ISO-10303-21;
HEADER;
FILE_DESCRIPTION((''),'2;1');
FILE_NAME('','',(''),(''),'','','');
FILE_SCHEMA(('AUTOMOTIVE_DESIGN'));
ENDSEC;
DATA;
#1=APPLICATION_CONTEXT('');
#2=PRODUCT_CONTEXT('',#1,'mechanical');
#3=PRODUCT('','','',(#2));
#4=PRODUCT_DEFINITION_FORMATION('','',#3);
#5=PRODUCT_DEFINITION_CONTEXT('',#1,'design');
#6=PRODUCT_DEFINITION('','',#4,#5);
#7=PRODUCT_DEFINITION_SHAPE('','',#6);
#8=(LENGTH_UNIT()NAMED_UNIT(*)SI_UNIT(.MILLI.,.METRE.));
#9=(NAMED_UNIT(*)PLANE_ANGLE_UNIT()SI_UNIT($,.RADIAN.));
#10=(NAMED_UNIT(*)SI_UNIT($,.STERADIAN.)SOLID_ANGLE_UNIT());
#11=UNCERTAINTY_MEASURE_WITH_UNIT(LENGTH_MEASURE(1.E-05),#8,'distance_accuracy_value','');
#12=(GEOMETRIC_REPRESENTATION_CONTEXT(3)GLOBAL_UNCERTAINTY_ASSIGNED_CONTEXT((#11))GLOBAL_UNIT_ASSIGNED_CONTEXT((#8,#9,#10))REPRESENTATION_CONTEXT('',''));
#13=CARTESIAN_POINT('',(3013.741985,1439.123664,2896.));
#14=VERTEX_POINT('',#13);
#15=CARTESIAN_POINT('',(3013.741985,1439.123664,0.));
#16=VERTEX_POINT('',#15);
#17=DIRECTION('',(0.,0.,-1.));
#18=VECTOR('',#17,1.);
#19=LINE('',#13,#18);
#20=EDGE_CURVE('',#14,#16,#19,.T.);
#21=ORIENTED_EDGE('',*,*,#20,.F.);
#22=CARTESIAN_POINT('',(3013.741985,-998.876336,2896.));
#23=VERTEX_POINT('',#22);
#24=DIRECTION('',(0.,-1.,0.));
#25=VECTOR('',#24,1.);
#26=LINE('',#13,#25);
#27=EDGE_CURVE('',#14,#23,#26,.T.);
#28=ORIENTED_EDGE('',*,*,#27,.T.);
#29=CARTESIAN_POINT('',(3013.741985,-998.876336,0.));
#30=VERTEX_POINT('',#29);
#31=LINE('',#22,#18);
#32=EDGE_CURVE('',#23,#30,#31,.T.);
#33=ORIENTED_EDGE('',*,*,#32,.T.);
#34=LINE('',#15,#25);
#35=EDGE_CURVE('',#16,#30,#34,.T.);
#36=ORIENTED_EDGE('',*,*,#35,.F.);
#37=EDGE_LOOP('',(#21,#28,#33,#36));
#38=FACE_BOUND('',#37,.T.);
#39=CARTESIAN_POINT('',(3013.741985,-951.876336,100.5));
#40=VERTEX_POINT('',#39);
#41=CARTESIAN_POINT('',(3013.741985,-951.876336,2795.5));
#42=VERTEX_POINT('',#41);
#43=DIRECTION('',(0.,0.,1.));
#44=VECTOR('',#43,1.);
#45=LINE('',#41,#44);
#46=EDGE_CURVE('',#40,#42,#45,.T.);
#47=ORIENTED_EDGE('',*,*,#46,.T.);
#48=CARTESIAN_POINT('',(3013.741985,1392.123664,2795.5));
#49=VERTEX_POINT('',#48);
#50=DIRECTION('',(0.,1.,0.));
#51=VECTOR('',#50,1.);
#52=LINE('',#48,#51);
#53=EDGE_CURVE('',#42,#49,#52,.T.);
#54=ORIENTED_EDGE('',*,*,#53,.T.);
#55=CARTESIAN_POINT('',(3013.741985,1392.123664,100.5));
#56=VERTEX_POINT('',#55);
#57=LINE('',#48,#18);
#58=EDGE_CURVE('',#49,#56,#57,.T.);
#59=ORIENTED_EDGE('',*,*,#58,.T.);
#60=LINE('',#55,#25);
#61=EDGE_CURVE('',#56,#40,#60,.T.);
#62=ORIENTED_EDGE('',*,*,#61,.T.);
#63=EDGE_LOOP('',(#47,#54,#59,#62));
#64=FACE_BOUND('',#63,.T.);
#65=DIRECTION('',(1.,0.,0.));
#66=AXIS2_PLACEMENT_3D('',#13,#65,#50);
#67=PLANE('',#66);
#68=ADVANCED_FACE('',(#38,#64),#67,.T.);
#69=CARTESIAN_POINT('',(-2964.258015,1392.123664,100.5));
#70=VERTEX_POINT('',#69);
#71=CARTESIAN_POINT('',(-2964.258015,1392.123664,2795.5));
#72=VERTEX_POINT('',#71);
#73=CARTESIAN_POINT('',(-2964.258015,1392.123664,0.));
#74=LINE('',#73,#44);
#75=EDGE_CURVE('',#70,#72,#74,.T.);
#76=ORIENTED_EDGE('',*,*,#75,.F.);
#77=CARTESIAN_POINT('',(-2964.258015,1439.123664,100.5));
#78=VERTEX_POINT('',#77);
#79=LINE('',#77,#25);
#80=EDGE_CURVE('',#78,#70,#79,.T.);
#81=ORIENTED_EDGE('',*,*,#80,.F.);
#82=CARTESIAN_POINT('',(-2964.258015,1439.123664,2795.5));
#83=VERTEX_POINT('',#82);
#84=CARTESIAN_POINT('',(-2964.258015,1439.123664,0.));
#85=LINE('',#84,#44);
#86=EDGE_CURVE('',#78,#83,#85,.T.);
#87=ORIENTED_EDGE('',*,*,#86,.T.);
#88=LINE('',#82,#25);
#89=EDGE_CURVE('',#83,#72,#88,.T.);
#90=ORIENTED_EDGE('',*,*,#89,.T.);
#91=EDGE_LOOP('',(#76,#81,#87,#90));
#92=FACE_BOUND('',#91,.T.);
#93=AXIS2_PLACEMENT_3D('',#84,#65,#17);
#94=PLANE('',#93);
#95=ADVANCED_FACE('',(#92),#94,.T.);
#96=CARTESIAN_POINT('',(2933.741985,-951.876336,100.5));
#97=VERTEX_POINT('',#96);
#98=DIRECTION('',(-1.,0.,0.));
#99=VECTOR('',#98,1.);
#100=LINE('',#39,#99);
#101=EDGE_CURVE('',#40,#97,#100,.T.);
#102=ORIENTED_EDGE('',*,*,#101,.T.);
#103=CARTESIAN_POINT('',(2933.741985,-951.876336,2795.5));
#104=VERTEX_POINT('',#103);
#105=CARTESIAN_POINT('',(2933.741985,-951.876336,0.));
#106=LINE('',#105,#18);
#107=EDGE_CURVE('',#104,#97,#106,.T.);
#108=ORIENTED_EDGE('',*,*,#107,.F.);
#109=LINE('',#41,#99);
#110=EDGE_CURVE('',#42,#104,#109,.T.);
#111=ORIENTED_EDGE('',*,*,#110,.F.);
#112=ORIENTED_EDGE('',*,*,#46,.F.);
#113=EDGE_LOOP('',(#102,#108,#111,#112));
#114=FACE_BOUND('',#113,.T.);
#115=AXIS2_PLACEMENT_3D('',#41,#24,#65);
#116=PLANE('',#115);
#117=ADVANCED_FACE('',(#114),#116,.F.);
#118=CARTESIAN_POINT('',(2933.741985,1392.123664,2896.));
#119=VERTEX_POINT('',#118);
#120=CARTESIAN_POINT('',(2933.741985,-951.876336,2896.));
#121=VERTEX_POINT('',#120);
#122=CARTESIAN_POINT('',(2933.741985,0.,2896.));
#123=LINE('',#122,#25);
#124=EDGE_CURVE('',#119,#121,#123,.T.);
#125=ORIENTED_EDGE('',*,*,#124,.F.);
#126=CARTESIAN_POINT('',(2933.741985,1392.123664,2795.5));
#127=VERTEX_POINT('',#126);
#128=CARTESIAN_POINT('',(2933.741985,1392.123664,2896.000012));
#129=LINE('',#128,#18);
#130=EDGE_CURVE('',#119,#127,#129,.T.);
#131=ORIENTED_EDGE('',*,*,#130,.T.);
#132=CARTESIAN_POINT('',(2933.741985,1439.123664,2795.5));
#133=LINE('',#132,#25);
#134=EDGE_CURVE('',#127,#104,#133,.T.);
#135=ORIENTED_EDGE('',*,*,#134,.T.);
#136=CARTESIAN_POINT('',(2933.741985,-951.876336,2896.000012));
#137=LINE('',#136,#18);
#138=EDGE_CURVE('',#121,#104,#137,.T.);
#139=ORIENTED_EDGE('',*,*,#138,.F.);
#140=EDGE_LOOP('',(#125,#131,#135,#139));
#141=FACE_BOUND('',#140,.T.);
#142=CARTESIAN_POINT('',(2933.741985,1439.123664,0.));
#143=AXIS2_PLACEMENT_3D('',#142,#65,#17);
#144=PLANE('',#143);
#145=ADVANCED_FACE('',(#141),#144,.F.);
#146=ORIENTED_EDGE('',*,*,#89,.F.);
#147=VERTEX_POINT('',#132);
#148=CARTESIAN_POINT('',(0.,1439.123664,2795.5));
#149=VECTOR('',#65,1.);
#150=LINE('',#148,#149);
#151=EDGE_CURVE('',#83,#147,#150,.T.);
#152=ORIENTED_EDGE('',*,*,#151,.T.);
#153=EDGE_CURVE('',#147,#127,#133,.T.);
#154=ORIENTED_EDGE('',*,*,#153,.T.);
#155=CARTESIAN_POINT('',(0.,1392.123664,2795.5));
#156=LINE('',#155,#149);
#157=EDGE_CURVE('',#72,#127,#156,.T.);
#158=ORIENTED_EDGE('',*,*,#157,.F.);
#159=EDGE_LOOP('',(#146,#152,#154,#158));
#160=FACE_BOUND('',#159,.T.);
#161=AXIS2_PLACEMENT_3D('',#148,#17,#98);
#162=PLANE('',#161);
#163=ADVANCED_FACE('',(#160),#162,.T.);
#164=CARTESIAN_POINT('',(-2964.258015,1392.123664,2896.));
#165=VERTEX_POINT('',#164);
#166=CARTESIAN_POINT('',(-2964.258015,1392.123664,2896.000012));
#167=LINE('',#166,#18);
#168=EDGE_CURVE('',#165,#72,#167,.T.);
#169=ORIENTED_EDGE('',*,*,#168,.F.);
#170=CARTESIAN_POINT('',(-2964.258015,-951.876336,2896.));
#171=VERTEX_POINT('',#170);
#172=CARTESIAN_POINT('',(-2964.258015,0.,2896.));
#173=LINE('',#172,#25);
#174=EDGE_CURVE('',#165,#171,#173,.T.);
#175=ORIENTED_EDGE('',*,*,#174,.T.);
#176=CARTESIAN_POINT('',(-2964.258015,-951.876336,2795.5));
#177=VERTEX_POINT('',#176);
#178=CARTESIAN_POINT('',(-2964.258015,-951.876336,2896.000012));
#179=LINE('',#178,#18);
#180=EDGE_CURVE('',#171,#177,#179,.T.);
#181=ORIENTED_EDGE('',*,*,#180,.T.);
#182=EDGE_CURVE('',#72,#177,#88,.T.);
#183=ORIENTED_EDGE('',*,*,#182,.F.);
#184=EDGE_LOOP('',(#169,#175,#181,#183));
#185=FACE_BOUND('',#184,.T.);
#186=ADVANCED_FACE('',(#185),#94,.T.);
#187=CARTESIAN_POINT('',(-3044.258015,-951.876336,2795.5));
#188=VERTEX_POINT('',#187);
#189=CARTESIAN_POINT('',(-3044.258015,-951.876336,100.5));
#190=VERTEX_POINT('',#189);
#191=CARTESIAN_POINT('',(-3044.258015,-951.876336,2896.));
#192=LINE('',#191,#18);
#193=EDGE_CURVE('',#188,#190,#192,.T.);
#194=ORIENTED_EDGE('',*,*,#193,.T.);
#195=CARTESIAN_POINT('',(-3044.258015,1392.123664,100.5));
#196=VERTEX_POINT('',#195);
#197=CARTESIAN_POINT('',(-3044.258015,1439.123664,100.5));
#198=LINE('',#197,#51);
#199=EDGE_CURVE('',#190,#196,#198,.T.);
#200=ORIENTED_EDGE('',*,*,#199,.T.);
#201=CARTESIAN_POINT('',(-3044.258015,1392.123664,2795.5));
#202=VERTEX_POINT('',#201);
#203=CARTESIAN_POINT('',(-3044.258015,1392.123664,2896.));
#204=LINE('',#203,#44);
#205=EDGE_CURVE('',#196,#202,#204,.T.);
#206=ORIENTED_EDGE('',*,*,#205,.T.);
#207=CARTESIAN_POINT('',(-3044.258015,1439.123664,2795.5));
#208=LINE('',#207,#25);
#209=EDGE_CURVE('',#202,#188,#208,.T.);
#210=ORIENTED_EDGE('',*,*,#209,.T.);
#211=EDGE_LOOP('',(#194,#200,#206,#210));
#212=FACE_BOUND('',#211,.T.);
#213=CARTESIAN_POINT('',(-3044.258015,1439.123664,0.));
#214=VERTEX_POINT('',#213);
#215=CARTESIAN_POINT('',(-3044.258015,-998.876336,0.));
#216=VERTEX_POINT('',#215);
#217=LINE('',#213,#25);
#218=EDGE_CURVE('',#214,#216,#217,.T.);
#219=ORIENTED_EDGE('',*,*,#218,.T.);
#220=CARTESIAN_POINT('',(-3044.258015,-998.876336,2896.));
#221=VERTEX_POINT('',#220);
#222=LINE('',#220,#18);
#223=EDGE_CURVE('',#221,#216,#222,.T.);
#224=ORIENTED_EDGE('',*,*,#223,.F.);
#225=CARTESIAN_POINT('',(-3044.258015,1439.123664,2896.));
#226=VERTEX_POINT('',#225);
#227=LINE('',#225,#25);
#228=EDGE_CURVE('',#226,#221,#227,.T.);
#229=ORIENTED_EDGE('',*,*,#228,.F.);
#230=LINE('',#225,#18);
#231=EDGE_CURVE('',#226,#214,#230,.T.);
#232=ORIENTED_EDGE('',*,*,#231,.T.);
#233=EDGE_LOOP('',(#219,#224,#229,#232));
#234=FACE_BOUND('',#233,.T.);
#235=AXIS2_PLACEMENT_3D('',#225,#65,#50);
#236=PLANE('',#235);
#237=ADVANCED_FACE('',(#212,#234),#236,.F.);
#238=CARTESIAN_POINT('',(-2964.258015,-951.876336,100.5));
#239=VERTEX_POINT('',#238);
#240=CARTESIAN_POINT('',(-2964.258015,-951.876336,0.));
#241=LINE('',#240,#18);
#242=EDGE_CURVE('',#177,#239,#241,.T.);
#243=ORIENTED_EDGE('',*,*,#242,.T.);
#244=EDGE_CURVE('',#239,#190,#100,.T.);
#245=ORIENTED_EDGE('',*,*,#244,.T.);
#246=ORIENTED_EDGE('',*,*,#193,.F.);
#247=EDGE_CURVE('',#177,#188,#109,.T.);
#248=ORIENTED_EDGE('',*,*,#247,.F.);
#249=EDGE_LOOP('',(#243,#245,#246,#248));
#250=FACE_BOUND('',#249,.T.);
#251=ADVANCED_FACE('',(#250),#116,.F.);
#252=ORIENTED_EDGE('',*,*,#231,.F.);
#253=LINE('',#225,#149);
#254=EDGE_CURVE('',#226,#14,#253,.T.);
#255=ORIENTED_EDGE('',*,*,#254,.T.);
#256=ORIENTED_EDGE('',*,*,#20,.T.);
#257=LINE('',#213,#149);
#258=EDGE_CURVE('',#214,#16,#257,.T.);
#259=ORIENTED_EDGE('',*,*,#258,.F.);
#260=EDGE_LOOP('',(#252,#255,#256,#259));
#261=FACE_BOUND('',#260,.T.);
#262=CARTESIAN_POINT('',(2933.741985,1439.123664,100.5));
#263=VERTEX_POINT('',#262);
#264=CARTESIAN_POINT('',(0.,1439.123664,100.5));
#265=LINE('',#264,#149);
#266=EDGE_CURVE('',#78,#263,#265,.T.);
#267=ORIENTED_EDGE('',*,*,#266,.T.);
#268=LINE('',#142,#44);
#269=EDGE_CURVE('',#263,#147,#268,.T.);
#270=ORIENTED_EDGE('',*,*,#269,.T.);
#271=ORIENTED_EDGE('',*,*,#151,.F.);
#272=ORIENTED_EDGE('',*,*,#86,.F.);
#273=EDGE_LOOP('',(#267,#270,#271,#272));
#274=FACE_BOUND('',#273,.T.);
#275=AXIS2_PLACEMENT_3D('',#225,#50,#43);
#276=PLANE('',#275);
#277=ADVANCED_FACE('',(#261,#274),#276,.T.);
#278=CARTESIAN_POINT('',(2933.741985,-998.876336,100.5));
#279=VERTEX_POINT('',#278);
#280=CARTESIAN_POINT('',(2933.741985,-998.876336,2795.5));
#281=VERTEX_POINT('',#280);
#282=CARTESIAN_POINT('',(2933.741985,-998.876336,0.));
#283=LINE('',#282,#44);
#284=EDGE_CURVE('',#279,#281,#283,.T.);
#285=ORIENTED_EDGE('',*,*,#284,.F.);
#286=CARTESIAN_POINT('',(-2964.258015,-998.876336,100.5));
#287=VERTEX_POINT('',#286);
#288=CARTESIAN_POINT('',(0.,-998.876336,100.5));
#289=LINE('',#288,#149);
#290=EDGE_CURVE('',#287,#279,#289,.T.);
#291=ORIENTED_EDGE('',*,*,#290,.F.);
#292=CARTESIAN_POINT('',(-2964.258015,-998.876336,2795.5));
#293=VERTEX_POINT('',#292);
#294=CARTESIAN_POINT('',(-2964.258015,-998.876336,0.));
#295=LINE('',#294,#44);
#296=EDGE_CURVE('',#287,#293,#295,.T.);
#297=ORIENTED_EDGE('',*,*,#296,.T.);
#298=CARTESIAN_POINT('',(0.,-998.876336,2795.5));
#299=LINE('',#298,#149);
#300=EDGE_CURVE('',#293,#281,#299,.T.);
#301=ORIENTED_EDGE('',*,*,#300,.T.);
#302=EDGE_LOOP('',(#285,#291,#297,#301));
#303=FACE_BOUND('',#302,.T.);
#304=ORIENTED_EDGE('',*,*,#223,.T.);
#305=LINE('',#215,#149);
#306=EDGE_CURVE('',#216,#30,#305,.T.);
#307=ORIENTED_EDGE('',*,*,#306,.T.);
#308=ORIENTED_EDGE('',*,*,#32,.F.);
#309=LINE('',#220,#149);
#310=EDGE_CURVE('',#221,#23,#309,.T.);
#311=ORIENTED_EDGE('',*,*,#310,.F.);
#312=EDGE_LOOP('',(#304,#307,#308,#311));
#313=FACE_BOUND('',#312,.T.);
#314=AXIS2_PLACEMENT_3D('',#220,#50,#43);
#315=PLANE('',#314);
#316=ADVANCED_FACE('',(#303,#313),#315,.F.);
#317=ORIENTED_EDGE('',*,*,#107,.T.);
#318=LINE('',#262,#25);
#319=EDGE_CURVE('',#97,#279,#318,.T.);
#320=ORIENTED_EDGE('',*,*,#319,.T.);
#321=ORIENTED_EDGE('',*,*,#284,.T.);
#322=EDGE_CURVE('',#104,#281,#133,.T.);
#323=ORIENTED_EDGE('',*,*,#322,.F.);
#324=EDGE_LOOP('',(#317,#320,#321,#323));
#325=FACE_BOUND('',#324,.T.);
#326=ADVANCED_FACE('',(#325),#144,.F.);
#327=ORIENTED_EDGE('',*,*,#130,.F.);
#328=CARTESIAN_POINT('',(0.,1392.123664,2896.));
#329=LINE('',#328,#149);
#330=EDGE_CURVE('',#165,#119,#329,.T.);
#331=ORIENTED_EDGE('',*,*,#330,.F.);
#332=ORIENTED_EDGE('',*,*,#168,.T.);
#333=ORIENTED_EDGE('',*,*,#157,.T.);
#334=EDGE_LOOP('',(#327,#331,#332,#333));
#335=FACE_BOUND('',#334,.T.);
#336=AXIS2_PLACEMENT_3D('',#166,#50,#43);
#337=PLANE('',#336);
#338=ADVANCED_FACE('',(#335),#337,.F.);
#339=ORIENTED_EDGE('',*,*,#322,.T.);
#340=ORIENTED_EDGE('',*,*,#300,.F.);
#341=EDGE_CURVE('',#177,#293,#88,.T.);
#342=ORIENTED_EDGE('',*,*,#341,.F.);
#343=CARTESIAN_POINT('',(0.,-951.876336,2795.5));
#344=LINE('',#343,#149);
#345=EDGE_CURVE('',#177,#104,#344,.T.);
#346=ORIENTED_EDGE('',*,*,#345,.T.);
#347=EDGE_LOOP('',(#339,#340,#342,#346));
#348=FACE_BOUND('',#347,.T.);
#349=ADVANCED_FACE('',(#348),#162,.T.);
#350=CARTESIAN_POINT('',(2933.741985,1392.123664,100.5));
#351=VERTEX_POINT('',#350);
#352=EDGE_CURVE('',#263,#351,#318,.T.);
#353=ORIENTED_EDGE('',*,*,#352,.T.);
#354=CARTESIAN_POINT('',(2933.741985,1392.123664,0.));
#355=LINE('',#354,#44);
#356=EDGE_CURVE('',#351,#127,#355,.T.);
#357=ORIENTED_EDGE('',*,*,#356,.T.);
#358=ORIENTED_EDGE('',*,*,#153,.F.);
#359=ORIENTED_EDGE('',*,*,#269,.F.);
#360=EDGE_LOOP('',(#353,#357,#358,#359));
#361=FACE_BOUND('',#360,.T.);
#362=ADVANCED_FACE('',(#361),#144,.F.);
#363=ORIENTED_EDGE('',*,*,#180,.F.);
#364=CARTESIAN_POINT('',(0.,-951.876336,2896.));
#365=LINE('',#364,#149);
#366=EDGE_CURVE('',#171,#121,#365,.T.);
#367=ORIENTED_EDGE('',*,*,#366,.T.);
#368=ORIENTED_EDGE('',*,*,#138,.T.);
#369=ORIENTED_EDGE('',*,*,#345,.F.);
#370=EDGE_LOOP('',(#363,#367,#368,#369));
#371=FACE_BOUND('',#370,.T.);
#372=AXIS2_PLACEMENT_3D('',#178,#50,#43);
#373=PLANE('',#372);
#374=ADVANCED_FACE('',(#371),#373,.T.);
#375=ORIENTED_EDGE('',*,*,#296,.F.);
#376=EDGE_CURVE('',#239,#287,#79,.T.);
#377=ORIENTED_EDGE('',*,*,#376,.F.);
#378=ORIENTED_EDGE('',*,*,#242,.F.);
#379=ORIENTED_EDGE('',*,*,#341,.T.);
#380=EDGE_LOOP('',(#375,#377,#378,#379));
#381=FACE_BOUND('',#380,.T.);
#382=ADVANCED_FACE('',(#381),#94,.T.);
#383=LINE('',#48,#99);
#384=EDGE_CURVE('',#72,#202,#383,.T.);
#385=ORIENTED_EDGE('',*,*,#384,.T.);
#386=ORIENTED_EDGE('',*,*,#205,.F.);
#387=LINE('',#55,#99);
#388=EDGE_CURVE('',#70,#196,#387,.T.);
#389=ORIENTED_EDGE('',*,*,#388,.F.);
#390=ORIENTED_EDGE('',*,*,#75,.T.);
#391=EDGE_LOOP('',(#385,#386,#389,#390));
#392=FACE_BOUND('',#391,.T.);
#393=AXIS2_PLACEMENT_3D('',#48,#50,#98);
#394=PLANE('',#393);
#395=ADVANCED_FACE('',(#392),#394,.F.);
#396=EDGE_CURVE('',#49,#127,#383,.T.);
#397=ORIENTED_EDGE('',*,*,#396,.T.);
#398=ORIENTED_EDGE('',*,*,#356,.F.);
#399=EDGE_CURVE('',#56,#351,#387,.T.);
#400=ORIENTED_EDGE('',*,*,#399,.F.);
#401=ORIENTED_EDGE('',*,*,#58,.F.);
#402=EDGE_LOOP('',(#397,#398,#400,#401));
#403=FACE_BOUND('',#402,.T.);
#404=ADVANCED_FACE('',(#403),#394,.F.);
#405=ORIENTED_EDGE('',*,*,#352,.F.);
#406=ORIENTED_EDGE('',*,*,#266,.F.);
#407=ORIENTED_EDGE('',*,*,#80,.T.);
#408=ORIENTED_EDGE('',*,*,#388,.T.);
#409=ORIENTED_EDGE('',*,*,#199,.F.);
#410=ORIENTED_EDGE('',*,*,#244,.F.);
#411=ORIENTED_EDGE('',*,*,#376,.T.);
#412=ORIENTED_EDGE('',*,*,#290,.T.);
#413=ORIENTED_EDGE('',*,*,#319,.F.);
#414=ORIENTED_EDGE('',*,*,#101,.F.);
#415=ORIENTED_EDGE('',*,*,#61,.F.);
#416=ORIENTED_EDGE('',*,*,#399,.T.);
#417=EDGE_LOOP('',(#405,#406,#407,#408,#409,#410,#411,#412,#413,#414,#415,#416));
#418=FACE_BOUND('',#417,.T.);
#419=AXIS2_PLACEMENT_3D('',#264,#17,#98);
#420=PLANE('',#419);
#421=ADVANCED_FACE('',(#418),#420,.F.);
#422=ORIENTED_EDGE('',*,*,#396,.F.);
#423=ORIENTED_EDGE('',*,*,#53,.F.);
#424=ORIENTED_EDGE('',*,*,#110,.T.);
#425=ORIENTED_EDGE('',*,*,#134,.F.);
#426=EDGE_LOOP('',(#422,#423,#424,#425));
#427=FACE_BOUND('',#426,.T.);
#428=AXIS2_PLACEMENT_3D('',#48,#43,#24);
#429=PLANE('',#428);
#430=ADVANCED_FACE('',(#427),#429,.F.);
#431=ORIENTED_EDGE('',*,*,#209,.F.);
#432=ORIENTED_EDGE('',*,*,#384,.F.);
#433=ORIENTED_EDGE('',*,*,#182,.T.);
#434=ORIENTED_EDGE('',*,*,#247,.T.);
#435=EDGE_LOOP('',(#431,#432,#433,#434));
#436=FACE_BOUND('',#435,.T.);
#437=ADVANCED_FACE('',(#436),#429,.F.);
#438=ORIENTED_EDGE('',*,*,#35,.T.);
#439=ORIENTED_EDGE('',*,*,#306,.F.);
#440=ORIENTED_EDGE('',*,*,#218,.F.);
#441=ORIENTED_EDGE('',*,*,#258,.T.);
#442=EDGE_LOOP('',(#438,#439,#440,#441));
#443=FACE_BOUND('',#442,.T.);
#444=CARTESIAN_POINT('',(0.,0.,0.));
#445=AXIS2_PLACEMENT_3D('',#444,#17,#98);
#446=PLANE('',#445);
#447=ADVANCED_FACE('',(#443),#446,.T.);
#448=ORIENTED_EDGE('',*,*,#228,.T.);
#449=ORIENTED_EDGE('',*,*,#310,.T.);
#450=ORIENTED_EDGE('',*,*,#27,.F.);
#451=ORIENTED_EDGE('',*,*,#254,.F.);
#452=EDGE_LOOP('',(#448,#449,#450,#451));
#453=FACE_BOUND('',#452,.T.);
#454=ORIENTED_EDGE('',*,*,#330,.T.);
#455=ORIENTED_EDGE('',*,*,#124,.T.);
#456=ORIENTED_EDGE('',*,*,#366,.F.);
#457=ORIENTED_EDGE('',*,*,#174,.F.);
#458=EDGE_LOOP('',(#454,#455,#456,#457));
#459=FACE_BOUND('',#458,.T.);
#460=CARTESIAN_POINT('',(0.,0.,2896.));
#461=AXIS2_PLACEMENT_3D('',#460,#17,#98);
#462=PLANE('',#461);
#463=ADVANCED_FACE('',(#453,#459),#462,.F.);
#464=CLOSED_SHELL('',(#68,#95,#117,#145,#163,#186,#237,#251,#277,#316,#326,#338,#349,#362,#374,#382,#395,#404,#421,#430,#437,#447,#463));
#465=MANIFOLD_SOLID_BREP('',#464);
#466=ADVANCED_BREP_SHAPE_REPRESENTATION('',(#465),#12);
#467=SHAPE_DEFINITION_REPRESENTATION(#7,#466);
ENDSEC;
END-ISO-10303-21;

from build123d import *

# Parameters (mm, degrees)
SKETCH1_W               = 6058
SKETCH1_H               = 2438
BOSS_EXTRUDE1_DEPTH     = 2896
SKETCH4_W               = 5898
SKETCH4_H               = 2695
CUT_EXTRUDE1_DEPTH      = 4858.794444346
CUT_EXTRUDE2_DEPTH      = 4442.328605739
CUT_EXTRUDE2_DEPTH_BACK = 180
SKETCH8_W               = 5898
SKETCH8_H               = 2344
CUT_EXTRUDE3_DEPTH      = 6868.114162487
CUT_EXTRUDE3_DEPTH_BACK = 6868.114162487
SKETCH9_W               = 2695
SKETCH9_H               = 2344


with BuildPart() as part:
    # Sketch1 → Boss-Extrude1 (new body)
    with BuildSketch(Plane.XY):
        with Locations((-15.258015267, 220.123664122)):
            Rectangle(SKETCH1_W, SKETCH1_H)
    extrude(amount=BOSS_EXTRUDE1_DEPTH)

    # Sketch4 → Cut-Extrude1 (cut, through all)
    with BuildSketch(Plane.XZ.offset(998.876335878)):
        with Locations((-15.258015267, 1448)):
            Rectangle(SKETCH4_W, SKETCH4_H)
    extrude(amount=-CUT_EXTRUDE1_DEPTH, mode=Mode.SUBTRACT)

    # Sketch8 → Cut-Extrude2 (cut, two sides: drawn at the far end of the back side and taken through both)
    with BuildSketch(Plane.XY.offset(2896).offset(-CUT_EXTRUDE2_DEPTH_BACK)):
        with Locations((-15.258015267, 220.123664122)):
            Rectangle(SKETCH8_W, SKETCH8_H)
    extrude(amount=CUT_EXTRUDE2_DEPTH + CUT_EXTRUDE2_DEPTH_BACK, mode=Mode.SUBTRACT)

    # Sketch9 → Cut-Extrude3 (cut, two sides: drawn at the far end of the back side and taken through both)
    with BuildSketch(Plane.ZY.offset(3044.258015267).offset(-CUT_EXTRUDE3_DEPTH_BACK)):
        with Locations((1448, 220.123664122)):
            Rectangle(SKETCH9_W, SKETCH9_H)
    extrude(amount=CUT_EXTRUDE3_DEPTH + CUT_EXTRUDE3_DEPTH_BACK, mode=Mode.SUBTRACT)


solid = part.part
